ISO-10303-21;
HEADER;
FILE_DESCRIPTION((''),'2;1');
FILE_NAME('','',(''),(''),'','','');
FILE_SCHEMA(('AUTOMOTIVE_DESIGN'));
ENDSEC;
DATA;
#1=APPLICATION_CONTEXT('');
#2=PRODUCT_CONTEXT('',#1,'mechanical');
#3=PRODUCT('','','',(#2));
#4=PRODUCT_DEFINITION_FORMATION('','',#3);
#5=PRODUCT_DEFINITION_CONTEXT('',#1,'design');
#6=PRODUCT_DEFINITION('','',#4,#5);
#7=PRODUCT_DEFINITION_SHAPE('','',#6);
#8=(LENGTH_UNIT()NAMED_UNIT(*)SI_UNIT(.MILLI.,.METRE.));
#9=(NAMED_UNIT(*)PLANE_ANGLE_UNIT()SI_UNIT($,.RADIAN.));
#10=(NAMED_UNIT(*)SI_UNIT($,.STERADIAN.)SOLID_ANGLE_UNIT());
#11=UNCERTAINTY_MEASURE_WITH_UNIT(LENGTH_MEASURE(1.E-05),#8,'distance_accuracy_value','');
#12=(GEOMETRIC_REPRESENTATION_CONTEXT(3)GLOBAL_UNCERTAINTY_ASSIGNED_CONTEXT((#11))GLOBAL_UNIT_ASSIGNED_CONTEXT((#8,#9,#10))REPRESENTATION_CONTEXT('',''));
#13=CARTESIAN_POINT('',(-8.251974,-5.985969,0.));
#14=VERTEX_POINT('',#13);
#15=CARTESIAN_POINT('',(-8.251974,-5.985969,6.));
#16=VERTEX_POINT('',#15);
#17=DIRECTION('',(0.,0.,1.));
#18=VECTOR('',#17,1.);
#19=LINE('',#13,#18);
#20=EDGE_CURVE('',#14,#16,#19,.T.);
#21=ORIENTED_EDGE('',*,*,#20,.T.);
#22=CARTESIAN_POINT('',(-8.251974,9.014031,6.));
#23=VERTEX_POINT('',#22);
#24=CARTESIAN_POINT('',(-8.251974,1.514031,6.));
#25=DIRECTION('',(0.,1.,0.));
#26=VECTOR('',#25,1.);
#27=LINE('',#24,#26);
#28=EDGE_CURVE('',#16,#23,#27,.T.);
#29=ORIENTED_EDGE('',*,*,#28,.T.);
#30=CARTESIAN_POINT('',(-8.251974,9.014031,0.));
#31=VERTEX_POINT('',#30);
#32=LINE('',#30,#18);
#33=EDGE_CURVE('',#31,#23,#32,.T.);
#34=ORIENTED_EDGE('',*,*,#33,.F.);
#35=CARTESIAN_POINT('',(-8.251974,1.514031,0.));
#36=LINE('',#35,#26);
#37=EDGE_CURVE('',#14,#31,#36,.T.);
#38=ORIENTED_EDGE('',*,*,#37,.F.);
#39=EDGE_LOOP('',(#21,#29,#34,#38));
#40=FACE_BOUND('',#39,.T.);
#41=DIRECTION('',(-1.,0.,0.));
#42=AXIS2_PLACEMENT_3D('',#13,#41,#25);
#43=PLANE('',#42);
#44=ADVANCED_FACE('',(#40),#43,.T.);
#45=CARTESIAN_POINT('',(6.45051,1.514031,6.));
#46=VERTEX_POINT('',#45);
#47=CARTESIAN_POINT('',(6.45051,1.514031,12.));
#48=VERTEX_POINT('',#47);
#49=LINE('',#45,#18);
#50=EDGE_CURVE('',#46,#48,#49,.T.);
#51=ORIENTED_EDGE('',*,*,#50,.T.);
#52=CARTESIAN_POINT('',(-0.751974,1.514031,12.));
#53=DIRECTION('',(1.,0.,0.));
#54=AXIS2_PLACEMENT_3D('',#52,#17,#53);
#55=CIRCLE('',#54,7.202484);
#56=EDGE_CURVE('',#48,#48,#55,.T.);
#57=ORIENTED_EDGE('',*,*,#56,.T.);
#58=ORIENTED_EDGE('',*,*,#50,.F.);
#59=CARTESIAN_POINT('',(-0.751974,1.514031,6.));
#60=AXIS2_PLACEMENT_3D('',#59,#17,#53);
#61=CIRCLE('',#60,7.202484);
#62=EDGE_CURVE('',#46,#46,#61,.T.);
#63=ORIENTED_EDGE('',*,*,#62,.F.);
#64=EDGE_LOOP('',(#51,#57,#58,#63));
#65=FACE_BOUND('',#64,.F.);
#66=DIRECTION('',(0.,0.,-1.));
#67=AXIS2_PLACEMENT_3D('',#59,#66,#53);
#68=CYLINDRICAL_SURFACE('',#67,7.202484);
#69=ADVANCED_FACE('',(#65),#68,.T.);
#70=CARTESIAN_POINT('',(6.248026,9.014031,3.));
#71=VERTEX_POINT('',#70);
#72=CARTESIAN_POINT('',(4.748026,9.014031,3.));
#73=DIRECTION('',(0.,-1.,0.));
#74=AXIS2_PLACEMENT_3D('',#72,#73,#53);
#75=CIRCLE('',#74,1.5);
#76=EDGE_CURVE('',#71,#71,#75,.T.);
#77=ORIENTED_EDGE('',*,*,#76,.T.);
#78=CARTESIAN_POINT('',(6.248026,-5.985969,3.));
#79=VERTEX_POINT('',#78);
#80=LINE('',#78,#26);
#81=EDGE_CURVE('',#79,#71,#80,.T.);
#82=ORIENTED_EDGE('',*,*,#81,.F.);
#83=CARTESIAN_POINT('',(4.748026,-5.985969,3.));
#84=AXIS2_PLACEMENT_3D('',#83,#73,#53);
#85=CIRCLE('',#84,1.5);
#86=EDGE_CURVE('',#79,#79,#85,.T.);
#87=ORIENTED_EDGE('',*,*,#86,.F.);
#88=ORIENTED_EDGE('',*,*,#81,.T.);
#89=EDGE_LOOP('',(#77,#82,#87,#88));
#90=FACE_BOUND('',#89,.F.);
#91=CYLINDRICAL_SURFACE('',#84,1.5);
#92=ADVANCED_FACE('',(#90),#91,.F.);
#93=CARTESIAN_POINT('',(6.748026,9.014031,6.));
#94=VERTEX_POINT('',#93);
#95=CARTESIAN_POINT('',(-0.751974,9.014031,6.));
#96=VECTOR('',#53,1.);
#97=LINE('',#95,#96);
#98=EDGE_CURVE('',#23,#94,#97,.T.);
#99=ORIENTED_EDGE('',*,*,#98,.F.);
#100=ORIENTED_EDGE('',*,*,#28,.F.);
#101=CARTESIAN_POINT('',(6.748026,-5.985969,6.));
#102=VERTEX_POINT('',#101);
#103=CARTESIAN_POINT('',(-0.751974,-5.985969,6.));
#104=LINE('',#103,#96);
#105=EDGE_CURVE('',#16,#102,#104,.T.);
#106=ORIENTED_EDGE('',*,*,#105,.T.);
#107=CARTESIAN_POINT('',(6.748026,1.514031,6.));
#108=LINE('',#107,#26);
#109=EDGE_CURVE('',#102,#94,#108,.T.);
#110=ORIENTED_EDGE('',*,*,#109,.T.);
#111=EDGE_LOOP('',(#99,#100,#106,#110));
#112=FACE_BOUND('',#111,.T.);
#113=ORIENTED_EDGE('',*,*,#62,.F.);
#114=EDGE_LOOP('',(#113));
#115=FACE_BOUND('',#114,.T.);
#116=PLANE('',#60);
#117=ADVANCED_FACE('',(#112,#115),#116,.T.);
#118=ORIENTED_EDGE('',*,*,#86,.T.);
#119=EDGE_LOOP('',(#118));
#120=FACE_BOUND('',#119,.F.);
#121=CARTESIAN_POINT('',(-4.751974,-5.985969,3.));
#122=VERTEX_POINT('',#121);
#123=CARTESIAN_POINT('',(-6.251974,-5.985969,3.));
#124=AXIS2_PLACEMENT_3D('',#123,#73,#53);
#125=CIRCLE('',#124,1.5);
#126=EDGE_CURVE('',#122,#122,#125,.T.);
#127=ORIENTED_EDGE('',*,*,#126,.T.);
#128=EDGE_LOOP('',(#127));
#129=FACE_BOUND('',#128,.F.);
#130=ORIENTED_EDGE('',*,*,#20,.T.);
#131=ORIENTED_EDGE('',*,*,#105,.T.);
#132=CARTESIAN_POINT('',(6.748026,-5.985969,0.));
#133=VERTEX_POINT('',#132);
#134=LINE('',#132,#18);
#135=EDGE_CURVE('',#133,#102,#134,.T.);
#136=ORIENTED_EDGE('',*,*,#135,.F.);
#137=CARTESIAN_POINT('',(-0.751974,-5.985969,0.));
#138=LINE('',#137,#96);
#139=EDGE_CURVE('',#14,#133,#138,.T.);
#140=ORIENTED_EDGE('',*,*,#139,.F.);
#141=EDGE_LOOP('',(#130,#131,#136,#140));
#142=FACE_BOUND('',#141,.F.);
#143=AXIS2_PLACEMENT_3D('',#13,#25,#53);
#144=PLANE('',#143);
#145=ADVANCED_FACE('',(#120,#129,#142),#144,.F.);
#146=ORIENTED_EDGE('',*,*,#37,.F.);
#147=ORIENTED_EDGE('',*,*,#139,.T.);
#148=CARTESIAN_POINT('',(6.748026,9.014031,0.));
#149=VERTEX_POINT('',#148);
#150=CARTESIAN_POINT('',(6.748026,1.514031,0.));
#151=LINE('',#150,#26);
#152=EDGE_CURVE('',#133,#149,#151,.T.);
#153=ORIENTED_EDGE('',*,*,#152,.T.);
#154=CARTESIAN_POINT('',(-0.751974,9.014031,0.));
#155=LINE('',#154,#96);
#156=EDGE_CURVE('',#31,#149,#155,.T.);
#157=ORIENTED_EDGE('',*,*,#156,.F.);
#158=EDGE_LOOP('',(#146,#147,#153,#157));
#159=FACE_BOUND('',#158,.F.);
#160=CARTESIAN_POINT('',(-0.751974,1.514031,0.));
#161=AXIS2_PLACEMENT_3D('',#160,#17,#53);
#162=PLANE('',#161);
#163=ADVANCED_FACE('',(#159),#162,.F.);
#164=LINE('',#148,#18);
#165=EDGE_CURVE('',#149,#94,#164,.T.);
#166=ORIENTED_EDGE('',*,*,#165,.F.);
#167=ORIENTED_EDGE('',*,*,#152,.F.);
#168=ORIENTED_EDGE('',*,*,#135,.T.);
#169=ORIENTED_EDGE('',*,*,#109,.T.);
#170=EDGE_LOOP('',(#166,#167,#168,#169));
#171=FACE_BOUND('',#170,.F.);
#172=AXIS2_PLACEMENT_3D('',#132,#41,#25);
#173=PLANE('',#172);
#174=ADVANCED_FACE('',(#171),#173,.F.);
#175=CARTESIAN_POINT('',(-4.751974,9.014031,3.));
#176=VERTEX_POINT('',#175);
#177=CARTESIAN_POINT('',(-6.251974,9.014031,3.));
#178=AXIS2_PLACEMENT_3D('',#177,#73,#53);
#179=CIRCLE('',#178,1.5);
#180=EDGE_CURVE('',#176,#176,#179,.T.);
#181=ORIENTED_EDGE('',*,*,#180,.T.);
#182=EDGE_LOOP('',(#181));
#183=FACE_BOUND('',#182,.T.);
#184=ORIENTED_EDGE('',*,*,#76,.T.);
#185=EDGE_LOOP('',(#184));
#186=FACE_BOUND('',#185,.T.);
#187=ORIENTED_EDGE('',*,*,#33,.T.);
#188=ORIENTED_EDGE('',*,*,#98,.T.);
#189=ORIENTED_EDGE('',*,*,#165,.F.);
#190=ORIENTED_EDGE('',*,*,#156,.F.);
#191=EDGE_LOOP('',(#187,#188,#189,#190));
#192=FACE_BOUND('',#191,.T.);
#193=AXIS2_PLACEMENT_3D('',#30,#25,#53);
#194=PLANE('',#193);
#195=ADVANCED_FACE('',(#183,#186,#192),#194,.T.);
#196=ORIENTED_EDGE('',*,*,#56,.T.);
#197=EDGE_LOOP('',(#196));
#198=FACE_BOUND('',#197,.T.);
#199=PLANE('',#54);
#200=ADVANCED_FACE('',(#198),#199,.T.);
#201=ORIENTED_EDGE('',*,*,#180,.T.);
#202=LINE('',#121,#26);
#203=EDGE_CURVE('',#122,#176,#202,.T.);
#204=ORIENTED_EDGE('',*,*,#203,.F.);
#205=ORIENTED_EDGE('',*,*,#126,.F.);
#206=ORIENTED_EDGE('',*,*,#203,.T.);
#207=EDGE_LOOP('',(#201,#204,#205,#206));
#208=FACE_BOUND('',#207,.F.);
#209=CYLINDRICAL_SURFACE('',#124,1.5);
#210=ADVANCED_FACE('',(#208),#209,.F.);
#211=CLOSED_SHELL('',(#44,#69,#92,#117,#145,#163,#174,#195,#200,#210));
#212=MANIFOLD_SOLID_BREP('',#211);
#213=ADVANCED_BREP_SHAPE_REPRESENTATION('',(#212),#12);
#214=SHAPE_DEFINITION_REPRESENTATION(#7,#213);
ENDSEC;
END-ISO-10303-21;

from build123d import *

# Parameters (mm, degrees)
F0_W     = 15
F0_H     = 15
F1_DEPTH = 6
F2_R     = 1.5
F3_DEPTH = 15
F4_R     = 1.5
F5_DEPTH = 15
F6_R     = 7.202484
F7_DEPTH = 6


with BuildPart() as f1:
    # F0 (on Top) → F1 (new body)
    with BuildSketch(Plane.XY):
        with Locations((-0.751974, 1.514031)):
            Rectangle(F0_W, F0_H)
    extrude(amount=F1_DEPTH)

    # F2 (on face) → F3 (cut)
    with BuildSketch(Plane.XZ.offset(5.985969)):
        with Locations((-6.251974, 3)):
            Circle(F2_R)
    extrude(amount=-F3_DEPTH, mode=Mode.SUBTRACT)

    # F4 (on face) → F5 (cut)
    with BuildSketch(Plane.XZ.offset(5.985969)):
        with Locations((4.748026, 3)):
            Circle(F4_R)
    extrude(amount=-F5_DEPTH, mode=Mode.SUBTRACT)

    # F6 (on face) → F7 (join)
    with BuildSketch(Plane.XY.offset(6)):
        with Locations((-0.751974, 1.514031)):
            Circle(F6_R)
    extrude(amount=F7_DEPTH)


solid = f1.part
